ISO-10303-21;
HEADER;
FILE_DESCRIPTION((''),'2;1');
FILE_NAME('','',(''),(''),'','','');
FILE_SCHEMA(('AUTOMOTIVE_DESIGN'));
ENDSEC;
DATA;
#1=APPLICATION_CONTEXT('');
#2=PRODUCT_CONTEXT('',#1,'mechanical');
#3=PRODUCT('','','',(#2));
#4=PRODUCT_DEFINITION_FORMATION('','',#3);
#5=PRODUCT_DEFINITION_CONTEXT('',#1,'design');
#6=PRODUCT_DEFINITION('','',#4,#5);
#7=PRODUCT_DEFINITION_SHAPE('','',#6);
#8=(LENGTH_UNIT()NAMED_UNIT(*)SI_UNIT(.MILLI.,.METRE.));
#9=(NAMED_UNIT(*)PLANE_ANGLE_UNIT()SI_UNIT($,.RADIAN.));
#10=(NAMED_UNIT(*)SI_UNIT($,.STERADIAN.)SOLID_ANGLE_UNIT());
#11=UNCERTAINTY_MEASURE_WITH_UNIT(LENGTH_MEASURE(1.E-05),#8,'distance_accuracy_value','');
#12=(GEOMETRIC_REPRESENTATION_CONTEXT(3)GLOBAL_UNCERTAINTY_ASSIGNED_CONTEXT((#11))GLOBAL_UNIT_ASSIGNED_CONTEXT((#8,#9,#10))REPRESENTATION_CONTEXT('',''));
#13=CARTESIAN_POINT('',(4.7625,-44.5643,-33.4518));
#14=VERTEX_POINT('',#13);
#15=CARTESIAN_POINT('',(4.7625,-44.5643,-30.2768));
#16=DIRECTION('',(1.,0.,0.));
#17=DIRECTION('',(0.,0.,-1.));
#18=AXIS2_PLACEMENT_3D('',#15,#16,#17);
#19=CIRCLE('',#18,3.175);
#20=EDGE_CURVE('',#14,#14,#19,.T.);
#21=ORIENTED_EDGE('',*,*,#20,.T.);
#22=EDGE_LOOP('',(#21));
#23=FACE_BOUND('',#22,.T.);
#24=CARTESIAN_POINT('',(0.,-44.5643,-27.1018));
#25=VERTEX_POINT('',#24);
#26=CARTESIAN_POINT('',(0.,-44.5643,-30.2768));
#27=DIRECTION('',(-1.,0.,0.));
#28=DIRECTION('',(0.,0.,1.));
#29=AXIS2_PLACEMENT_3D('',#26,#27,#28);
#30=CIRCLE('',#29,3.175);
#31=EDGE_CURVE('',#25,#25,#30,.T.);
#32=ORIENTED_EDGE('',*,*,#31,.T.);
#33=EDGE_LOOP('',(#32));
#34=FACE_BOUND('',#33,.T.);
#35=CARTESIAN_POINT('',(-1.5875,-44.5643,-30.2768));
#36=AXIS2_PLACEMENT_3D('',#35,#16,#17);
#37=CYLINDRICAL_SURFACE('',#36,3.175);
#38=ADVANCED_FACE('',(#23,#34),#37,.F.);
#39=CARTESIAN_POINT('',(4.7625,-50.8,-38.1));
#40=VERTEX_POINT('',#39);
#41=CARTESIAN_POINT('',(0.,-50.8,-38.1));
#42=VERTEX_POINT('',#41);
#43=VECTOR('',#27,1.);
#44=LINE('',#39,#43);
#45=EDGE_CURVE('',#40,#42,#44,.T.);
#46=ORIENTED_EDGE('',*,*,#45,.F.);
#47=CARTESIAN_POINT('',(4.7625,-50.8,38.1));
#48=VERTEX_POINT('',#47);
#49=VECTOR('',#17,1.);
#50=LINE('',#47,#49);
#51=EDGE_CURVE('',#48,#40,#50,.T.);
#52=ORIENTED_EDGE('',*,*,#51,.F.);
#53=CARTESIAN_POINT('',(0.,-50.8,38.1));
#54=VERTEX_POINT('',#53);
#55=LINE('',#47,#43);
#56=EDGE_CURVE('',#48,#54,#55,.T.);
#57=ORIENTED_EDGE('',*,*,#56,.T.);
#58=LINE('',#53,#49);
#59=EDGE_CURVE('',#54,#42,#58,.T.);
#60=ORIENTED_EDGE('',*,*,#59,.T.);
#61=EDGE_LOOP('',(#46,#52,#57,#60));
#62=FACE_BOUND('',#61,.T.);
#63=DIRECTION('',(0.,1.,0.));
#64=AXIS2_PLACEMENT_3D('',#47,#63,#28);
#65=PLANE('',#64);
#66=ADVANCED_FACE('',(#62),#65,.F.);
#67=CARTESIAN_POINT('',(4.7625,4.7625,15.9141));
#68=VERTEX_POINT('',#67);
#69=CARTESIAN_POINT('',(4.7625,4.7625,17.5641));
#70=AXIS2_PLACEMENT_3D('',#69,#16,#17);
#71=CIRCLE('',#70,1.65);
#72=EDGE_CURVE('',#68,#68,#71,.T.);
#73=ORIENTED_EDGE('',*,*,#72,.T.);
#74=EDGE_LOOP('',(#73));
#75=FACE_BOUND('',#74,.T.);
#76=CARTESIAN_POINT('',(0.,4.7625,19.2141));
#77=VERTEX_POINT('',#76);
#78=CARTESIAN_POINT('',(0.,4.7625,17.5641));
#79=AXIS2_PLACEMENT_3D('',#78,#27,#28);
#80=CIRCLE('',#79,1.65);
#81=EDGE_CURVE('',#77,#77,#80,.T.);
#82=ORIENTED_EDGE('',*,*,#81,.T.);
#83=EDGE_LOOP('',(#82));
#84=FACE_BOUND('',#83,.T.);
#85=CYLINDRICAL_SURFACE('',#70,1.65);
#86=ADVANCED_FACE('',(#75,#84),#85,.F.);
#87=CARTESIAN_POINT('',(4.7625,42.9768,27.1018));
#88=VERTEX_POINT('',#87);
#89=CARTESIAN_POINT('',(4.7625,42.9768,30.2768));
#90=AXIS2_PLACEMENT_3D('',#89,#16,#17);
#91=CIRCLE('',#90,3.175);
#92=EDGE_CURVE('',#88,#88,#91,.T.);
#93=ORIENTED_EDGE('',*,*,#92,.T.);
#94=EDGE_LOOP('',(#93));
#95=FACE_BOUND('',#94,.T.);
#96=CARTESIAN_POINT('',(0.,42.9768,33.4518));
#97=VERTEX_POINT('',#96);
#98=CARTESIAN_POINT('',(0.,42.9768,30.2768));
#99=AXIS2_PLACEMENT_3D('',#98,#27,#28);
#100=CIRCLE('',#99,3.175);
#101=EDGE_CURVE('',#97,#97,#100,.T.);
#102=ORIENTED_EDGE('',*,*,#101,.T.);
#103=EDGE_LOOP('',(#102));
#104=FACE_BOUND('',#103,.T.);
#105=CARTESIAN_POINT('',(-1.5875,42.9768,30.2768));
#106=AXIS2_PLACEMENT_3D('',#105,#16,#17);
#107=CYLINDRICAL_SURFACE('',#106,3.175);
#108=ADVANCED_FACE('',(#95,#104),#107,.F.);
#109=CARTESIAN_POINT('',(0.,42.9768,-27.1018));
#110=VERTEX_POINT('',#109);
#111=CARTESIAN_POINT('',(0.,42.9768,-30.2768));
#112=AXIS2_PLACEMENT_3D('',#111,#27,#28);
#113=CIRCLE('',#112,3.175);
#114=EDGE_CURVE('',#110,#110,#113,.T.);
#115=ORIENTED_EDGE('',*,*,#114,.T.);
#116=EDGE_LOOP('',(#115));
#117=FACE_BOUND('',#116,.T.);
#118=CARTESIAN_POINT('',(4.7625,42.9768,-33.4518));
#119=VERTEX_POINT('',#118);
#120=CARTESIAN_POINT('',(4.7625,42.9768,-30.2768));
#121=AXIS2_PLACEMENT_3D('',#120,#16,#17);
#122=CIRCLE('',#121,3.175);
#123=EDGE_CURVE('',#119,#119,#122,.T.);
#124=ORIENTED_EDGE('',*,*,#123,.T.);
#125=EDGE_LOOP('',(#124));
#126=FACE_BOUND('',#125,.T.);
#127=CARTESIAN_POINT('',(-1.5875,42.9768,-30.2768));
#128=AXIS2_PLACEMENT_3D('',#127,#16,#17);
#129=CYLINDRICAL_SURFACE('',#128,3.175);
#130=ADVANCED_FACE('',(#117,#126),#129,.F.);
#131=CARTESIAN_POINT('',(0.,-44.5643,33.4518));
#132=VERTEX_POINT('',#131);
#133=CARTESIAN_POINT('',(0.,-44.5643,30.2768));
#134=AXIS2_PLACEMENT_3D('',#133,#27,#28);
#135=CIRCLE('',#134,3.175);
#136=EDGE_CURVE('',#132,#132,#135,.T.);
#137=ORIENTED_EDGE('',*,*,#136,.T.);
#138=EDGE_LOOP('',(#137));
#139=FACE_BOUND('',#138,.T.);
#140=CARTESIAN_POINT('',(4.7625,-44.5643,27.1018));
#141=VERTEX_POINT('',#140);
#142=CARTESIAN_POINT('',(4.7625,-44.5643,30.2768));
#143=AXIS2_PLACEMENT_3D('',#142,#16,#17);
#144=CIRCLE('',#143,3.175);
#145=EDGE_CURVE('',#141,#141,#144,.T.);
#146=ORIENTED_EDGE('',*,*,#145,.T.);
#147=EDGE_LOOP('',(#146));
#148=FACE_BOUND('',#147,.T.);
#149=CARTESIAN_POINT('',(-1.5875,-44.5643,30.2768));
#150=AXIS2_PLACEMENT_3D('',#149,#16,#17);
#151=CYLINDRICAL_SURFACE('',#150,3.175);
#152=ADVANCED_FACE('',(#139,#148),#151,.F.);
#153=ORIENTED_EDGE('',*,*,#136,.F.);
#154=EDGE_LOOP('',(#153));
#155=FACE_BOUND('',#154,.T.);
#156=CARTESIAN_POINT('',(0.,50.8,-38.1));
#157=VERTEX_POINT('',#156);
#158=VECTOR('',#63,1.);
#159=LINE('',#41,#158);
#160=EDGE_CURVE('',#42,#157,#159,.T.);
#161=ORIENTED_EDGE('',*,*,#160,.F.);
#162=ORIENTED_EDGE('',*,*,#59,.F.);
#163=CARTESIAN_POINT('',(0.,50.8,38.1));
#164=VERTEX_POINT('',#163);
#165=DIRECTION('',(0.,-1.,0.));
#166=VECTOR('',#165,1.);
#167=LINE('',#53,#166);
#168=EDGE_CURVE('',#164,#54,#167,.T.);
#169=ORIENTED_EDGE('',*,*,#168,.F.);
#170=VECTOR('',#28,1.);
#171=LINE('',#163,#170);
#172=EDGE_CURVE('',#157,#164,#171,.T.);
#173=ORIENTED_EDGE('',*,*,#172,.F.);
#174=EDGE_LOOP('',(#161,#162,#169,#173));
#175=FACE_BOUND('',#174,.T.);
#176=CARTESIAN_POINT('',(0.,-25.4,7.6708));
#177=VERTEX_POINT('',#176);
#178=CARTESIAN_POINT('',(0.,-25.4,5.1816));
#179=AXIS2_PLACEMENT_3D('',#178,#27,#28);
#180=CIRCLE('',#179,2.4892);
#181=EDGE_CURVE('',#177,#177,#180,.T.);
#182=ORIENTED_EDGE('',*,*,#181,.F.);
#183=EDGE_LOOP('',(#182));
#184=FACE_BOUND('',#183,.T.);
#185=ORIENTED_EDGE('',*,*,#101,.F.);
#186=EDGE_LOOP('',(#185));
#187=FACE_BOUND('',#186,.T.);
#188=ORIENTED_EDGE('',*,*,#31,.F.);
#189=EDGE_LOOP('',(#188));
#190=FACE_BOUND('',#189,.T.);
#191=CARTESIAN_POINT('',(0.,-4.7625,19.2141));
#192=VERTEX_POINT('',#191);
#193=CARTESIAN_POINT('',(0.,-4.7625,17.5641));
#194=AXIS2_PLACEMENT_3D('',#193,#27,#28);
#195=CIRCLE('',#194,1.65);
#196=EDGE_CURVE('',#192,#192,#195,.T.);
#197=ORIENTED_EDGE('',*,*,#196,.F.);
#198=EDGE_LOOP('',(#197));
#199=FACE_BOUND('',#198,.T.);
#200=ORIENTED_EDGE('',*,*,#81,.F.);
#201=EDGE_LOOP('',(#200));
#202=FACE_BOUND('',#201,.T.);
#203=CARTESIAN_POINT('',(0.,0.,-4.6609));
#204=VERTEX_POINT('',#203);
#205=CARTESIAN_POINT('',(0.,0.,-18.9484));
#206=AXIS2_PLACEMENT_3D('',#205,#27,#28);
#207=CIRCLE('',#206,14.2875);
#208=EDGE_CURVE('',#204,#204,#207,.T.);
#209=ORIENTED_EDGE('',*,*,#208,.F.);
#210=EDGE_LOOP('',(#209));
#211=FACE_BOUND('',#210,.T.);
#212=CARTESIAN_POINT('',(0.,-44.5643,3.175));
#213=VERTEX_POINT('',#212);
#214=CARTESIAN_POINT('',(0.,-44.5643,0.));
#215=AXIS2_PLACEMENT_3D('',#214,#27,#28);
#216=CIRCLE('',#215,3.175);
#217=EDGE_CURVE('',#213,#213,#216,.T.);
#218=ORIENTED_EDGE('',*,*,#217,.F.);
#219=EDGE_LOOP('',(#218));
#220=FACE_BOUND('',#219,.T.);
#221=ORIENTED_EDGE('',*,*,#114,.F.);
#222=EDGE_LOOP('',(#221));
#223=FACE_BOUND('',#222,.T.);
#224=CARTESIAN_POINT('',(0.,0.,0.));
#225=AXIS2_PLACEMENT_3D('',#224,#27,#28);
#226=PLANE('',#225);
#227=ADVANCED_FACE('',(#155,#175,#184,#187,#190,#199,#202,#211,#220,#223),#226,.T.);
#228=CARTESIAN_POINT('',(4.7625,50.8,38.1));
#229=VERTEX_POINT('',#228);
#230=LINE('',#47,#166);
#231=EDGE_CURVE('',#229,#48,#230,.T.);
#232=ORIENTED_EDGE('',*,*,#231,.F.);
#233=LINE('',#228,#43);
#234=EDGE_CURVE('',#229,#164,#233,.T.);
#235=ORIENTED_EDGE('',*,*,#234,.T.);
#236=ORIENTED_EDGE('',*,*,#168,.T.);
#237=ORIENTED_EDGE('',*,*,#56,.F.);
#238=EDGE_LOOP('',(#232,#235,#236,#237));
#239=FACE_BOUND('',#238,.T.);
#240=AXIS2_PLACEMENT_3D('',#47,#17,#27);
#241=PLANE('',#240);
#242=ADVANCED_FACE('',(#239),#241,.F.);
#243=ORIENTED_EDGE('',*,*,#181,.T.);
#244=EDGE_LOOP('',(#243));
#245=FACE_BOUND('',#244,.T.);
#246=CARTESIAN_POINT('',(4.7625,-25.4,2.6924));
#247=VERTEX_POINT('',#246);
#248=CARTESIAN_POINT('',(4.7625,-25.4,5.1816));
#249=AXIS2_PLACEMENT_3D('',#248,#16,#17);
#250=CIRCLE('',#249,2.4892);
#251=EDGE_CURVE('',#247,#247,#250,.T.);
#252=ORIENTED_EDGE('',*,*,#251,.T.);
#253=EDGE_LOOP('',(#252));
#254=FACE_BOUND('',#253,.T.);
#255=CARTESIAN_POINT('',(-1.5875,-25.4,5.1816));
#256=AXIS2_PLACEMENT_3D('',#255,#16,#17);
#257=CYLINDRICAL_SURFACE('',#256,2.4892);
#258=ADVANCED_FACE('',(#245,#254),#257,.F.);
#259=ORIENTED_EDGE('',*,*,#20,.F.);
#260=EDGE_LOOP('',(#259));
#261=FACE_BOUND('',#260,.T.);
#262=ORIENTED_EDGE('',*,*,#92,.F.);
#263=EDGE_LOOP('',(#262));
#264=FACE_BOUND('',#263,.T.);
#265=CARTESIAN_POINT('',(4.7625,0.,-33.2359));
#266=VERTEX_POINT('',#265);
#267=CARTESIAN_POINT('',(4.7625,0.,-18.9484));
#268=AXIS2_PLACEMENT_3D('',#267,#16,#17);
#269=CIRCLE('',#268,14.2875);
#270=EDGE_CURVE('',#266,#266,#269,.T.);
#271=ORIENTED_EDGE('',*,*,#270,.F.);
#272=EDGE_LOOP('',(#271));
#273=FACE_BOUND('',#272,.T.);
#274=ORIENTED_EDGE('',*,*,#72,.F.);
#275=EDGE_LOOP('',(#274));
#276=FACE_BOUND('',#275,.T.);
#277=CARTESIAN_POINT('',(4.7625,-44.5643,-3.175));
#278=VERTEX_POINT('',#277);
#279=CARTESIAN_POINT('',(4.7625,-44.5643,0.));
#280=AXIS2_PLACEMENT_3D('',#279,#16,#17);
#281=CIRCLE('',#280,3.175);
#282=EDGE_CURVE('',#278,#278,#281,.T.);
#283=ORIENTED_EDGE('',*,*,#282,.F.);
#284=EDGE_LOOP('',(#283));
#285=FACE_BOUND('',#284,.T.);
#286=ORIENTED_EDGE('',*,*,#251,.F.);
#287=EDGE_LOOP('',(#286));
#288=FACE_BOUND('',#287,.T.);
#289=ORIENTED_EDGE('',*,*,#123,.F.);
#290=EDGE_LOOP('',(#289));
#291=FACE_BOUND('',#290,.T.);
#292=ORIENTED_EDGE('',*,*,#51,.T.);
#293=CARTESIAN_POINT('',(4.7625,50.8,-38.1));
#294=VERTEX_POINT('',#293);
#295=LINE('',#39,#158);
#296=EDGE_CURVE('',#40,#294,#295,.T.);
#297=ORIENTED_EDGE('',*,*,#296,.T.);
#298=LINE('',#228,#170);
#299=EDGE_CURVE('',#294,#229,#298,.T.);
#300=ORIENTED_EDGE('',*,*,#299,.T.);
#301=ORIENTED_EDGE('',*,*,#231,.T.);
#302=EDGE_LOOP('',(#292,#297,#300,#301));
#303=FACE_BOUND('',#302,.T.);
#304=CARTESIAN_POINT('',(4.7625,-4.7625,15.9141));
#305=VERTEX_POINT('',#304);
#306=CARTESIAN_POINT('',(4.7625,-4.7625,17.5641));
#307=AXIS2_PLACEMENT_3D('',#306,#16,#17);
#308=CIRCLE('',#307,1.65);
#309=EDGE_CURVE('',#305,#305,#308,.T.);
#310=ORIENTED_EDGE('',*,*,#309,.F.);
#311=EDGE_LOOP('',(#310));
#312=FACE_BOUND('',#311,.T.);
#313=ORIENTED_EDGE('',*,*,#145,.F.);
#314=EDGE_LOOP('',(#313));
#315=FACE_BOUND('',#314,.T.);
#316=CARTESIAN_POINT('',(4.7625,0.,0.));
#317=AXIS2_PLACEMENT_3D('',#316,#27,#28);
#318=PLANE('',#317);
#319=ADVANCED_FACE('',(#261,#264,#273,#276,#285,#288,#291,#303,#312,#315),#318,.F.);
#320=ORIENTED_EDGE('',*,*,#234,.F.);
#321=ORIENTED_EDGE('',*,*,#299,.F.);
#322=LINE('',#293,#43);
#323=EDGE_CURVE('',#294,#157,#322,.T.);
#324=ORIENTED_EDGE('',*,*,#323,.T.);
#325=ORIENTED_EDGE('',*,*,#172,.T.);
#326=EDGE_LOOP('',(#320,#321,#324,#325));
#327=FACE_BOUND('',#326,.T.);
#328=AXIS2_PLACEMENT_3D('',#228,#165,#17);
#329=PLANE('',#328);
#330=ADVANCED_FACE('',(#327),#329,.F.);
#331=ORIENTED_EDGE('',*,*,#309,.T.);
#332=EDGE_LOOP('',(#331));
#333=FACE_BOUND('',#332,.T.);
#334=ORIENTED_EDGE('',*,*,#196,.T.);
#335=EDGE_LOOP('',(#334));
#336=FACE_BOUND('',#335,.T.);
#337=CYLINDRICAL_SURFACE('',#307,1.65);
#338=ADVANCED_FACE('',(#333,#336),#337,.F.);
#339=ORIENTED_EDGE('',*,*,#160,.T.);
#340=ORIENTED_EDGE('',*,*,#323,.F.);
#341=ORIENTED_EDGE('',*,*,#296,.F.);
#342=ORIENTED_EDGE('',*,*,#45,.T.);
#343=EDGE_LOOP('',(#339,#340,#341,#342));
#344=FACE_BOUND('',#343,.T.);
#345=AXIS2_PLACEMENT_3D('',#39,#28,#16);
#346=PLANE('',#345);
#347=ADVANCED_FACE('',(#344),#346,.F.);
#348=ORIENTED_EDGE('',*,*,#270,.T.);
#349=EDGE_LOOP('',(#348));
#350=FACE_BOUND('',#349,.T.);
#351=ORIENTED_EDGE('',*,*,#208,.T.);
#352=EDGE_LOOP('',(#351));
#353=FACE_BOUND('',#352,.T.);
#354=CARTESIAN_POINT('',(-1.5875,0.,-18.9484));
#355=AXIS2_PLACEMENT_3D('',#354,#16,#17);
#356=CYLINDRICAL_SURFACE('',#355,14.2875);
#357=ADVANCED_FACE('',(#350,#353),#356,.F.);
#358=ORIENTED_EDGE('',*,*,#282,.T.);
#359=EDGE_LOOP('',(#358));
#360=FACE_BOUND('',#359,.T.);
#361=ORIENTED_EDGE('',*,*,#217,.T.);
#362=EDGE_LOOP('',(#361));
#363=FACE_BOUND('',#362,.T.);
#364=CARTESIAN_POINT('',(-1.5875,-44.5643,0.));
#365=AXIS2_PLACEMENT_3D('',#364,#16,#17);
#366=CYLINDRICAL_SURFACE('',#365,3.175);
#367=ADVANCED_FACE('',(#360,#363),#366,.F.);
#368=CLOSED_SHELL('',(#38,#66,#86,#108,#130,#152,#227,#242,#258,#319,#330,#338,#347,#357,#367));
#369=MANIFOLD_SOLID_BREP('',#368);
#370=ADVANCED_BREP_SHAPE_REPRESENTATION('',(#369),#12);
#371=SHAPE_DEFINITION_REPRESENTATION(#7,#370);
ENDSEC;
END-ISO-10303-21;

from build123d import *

# Parameters (mm, degrees)
SKETCH2_W            = 76.2
SKETCH2_H            = 101.6
BOSS_EXTRUDE1_DEPTH  = 4.7625
SKETCH3_R            = 3.175
CUT_EXTRUDE1_DEPTH   = 6.35
SKETCH3_4_R          = 3.175
SKETCH3_4_R_2        = 14.2875
SKETCH3_4_R_3        = 2.4892
CUT_EXTRUDE2_DEPTH   = 6.35
M6_CLEARANCE_HOLE1_D = 3.3


with BuildPart() as part:
    # Sketch2 → Boss-Extrude1 (new body)
    with BuildSketch(Plane(origin=(0, 0, 0), x_dir=(0, 0, -1), z_dir=(1, 0, 0))):
        Rectangle(SKETCH2_W, SKETCH2_H)
    extrude(amount=BOSS_EXTRUDE1_DEPTH)

    # Sketch3 → Cut-Extrude1 (cut)
    with BuildSketch(Plane(origin=(4.7625, 0, 0), x_dir=(0, 0, -1), z_dir=(1, 0, 0))):
        with Locations((30.2768, 42.9768)):
            Circle(SKETCH3_R)
    extrude(amount=-CUT_EXTRUDE1_DEPTH, mode=Mode.SUBTRACT)

    # Sketch3<4> → Cut-Extrude2 (cut)
    with BuildSketch(Plane(origin=(4.7625, 0, 0), x_dir=(0, 0, -1), z_dir=(1, 0, 0))):
        with Locations((30.2768, -44.5643)):
            Circle(SKETCH3_4_R)
        with Locations((30.2768, 42.9768)):
            Circle(SKETCH3_4_R)
        with Locations((-30.2768, 42.9768)):
            Circle(SKETCH3_4_R)
        with Locations((-30.2768, -44.5643)):
            Circle(SKETCH3_4_R)
        with Locations((18.9484, 0)):
            Circle(SKETCH3_4_R_2)
        with Locations((-5.1816, -25.4)):
            Circle(SKETCH3_4_R_3)
        with Locations((0, -44.5643)):
            Circle(SKETCH3_4_R)
    extrude(amount=-CUT_EXTRUDE2_DEPTH, mode=Mode.SUBTRACT)

    # M6 Clearance Hole1 (through all)
    with Locations(Plane(origin=(4.7625, 0, 0), x_dir=(0, 0, -1), z_dir=(1, 0, 0))):
        with Locations((-17.5641, 4.7625), (-17.5641, -4.7625)):
            Hole(M6_CLEARANCE_HOLE1_D / 2)


solid = part.part
